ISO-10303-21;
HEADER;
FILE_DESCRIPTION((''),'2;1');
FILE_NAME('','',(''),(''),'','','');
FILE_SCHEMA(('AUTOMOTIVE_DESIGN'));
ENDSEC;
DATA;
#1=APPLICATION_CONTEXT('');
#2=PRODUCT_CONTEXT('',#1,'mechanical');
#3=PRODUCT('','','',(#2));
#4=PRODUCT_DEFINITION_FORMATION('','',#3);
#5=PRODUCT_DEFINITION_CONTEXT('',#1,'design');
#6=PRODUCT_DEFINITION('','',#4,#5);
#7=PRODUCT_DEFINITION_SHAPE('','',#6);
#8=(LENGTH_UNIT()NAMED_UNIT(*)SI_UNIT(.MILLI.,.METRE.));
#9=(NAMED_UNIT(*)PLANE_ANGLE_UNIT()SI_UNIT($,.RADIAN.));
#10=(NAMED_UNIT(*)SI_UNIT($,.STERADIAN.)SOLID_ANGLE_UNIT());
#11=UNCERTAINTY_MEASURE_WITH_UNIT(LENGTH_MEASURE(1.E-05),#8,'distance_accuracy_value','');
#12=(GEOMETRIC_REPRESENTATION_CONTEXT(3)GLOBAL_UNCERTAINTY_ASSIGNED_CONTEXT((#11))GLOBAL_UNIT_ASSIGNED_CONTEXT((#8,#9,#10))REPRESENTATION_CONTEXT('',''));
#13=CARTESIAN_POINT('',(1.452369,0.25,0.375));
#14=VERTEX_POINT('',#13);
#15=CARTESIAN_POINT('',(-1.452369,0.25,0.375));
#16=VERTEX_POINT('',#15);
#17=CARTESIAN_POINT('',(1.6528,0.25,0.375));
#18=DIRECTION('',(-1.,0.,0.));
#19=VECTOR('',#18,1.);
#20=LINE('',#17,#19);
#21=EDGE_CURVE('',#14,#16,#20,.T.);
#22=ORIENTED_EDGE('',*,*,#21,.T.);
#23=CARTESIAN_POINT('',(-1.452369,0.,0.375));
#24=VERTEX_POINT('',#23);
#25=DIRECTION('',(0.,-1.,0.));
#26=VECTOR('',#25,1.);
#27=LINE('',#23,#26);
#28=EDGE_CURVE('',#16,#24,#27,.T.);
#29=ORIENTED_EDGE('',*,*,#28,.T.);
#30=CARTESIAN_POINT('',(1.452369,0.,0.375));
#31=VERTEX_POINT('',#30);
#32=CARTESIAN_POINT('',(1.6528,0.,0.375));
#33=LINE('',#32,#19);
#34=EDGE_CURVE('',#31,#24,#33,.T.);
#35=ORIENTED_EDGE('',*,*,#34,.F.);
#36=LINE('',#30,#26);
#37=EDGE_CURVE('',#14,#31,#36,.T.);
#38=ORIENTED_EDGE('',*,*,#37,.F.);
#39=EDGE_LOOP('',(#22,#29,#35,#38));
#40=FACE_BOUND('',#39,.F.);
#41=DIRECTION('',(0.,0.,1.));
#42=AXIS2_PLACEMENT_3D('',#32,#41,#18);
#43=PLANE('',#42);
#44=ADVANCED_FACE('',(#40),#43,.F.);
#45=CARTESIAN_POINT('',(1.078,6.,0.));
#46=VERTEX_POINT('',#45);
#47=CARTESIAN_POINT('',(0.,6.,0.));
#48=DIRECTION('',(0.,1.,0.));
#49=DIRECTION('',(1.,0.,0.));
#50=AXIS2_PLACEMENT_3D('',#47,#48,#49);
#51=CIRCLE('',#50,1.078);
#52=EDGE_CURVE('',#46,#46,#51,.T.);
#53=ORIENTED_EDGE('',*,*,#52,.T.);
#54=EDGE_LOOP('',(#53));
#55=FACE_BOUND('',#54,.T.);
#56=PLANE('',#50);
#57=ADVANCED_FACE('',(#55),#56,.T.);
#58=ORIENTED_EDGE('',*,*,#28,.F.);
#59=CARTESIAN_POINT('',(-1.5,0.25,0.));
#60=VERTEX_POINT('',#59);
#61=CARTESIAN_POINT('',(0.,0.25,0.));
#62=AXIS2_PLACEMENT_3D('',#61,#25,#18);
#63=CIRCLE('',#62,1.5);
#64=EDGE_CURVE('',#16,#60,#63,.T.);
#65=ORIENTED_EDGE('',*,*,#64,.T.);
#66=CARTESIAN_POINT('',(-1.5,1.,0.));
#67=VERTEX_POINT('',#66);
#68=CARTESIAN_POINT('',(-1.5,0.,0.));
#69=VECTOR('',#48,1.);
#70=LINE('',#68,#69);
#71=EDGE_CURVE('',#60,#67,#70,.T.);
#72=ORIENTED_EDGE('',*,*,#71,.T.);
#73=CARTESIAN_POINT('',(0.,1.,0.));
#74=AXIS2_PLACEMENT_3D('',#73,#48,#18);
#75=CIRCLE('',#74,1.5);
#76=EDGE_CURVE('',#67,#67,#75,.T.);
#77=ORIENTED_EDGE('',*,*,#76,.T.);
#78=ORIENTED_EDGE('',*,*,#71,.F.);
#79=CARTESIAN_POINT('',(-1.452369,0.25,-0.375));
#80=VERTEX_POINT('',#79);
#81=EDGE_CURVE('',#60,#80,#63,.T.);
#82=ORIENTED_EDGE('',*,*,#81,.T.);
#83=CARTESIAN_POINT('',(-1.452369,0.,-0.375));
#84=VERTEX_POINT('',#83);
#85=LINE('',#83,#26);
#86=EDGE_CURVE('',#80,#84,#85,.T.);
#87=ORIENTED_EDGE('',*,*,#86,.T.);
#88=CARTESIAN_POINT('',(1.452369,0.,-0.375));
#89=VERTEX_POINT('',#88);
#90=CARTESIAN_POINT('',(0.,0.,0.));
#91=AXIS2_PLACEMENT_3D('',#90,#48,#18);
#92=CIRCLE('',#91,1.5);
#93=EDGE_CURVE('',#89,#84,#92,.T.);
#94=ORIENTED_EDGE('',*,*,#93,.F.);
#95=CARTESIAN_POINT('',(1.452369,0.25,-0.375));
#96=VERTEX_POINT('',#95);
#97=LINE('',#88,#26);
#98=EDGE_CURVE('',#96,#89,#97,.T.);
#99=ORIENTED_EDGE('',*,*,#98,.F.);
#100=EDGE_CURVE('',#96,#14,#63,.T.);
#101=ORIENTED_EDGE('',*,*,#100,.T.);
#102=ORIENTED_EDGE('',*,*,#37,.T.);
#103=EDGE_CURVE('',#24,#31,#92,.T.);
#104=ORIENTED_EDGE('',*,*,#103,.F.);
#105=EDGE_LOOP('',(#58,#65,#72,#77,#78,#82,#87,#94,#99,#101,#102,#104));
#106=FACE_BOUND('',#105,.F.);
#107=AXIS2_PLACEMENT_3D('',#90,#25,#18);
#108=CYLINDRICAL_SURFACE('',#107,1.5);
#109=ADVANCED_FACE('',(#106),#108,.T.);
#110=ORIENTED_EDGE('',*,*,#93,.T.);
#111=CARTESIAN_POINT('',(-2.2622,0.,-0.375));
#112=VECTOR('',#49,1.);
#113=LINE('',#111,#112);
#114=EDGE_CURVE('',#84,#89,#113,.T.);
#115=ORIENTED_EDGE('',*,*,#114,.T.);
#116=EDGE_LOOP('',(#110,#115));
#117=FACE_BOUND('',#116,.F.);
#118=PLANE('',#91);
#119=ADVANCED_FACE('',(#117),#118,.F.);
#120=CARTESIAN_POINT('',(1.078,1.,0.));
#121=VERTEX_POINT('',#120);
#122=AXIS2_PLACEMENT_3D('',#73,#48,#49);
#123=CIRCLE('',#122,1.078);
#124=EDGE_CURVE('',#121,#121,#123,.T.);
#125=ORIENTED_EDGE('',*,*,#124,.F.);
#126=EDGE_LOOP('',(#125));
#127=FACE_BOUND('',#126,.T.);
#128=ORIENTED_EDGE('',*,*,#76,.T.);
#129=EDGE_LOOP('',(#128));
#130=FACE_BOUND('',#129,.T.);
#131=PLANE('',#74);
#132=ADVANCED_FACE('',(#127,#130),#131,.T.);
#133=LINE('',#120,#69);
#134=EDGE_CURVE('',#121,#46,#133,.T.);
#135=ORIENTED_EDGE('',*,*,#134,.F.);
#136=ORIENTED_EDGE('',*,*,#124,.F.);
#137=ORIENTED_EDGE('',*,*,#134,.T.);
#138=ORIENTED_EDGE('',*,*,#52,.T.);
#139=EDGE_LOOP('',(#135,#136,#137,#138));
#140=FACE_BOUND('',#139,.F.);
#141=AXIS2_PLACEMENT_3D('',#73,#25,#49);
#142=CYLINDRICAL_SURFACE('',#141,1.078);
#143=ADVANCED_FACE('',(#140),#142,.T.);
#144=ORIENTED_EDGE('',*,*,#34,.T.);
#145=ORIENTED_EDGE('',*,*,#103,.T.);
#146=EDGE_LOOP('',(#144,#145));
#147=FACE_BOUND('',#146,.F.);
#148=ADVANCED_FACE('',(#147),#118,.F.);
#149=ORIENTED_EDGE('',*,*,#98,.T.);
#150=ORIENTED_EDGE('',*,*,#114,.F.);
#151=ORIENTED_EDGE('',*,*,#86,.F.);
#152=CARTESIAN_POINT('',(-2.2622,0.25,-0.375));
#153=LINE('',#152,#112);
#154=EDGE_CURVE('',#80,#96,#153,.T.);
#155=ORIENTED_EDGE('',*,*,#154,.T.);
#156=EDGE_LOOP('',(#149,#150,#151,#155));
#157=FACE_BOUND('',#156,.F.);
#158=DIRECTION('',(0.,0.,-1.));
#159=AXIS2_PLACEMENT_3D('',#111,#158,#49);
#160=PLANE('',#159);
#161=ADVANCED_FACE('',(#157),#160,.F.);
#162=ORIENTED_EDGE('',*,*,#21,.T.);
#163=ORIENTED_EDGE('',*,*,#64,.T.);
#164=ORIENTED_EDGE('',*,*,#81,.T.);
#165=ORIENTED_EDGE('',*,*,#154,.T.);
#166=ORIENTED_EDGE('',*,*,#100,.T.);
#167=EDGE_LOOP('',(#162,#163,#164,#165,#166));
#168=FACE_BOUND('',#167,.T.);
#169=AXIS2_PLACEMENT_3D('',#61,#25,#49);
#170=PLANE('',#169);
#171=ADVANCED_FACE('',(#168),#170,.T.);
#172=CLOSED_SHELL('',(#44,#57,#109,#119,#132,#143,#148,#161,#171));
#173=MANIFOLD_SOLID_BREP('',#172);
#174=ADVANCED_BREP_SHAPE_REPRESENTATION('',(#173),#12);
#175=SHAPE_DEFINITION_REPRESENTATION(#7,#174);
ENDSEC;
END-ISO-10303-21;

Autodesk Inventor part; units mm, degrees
ref_plane "YZ Plane" through (0, 0, 0) normal (1, 0, 0) x (0, 1, 0)
ref_plane "XZ Plane" through (0, 0, 0) normal (0, 1, 0) x (-1, 0, 0)
ref_plane "XY Plane" through (0, 0, 0) normal (0, 0, 1) x (1, 0, 0)
sketch "Sketch1" plane through (0, 0, 0) normal (0, 1, 0) x (-1, 0, 0)
  circle A0 centre (0, 0) radius 1.5
  dimension "d0" = 3
extrude "Extrusion1" add sketch "Sketch1" along normal blind 1
sketch "Sketch2" plane through (0, 1, 0) normal (0, 1, 0) x (1, 0, 0)
  circle A0 centre (0, 0) radius 1.078
  dimension "d3" = 2.156
extrude "Extrusion2" add sketch "Sketch2" along normal blind 5
thread "Thread1" size "M2x0.4" class "6g" standard "ANSI Metric M Profile" full length
sketch "Sketch3" plane through (0, 0, 0) normal (0, -1, 0) x (1, 0, 0)
  line L0 (1.6528, 0.375) -> (-2.2622, 0.375)
  line L1 (-2.2622, 0.375) -> (-2.2622, -0.375)
  line L2 (-2.2622, -0.375) -> (1.6528, -0.375)
  line L3 (1.6528, -0.375) -> (1.6528, 0.375)
  point P0 (0, 0)
  dimension "d8" = 0.75
  dimension "d9" = 0.375
extrude "Extrusion3" cut sketch "Sketch3" against normal blind 0.25
properties part number "Screw_Terminal"
